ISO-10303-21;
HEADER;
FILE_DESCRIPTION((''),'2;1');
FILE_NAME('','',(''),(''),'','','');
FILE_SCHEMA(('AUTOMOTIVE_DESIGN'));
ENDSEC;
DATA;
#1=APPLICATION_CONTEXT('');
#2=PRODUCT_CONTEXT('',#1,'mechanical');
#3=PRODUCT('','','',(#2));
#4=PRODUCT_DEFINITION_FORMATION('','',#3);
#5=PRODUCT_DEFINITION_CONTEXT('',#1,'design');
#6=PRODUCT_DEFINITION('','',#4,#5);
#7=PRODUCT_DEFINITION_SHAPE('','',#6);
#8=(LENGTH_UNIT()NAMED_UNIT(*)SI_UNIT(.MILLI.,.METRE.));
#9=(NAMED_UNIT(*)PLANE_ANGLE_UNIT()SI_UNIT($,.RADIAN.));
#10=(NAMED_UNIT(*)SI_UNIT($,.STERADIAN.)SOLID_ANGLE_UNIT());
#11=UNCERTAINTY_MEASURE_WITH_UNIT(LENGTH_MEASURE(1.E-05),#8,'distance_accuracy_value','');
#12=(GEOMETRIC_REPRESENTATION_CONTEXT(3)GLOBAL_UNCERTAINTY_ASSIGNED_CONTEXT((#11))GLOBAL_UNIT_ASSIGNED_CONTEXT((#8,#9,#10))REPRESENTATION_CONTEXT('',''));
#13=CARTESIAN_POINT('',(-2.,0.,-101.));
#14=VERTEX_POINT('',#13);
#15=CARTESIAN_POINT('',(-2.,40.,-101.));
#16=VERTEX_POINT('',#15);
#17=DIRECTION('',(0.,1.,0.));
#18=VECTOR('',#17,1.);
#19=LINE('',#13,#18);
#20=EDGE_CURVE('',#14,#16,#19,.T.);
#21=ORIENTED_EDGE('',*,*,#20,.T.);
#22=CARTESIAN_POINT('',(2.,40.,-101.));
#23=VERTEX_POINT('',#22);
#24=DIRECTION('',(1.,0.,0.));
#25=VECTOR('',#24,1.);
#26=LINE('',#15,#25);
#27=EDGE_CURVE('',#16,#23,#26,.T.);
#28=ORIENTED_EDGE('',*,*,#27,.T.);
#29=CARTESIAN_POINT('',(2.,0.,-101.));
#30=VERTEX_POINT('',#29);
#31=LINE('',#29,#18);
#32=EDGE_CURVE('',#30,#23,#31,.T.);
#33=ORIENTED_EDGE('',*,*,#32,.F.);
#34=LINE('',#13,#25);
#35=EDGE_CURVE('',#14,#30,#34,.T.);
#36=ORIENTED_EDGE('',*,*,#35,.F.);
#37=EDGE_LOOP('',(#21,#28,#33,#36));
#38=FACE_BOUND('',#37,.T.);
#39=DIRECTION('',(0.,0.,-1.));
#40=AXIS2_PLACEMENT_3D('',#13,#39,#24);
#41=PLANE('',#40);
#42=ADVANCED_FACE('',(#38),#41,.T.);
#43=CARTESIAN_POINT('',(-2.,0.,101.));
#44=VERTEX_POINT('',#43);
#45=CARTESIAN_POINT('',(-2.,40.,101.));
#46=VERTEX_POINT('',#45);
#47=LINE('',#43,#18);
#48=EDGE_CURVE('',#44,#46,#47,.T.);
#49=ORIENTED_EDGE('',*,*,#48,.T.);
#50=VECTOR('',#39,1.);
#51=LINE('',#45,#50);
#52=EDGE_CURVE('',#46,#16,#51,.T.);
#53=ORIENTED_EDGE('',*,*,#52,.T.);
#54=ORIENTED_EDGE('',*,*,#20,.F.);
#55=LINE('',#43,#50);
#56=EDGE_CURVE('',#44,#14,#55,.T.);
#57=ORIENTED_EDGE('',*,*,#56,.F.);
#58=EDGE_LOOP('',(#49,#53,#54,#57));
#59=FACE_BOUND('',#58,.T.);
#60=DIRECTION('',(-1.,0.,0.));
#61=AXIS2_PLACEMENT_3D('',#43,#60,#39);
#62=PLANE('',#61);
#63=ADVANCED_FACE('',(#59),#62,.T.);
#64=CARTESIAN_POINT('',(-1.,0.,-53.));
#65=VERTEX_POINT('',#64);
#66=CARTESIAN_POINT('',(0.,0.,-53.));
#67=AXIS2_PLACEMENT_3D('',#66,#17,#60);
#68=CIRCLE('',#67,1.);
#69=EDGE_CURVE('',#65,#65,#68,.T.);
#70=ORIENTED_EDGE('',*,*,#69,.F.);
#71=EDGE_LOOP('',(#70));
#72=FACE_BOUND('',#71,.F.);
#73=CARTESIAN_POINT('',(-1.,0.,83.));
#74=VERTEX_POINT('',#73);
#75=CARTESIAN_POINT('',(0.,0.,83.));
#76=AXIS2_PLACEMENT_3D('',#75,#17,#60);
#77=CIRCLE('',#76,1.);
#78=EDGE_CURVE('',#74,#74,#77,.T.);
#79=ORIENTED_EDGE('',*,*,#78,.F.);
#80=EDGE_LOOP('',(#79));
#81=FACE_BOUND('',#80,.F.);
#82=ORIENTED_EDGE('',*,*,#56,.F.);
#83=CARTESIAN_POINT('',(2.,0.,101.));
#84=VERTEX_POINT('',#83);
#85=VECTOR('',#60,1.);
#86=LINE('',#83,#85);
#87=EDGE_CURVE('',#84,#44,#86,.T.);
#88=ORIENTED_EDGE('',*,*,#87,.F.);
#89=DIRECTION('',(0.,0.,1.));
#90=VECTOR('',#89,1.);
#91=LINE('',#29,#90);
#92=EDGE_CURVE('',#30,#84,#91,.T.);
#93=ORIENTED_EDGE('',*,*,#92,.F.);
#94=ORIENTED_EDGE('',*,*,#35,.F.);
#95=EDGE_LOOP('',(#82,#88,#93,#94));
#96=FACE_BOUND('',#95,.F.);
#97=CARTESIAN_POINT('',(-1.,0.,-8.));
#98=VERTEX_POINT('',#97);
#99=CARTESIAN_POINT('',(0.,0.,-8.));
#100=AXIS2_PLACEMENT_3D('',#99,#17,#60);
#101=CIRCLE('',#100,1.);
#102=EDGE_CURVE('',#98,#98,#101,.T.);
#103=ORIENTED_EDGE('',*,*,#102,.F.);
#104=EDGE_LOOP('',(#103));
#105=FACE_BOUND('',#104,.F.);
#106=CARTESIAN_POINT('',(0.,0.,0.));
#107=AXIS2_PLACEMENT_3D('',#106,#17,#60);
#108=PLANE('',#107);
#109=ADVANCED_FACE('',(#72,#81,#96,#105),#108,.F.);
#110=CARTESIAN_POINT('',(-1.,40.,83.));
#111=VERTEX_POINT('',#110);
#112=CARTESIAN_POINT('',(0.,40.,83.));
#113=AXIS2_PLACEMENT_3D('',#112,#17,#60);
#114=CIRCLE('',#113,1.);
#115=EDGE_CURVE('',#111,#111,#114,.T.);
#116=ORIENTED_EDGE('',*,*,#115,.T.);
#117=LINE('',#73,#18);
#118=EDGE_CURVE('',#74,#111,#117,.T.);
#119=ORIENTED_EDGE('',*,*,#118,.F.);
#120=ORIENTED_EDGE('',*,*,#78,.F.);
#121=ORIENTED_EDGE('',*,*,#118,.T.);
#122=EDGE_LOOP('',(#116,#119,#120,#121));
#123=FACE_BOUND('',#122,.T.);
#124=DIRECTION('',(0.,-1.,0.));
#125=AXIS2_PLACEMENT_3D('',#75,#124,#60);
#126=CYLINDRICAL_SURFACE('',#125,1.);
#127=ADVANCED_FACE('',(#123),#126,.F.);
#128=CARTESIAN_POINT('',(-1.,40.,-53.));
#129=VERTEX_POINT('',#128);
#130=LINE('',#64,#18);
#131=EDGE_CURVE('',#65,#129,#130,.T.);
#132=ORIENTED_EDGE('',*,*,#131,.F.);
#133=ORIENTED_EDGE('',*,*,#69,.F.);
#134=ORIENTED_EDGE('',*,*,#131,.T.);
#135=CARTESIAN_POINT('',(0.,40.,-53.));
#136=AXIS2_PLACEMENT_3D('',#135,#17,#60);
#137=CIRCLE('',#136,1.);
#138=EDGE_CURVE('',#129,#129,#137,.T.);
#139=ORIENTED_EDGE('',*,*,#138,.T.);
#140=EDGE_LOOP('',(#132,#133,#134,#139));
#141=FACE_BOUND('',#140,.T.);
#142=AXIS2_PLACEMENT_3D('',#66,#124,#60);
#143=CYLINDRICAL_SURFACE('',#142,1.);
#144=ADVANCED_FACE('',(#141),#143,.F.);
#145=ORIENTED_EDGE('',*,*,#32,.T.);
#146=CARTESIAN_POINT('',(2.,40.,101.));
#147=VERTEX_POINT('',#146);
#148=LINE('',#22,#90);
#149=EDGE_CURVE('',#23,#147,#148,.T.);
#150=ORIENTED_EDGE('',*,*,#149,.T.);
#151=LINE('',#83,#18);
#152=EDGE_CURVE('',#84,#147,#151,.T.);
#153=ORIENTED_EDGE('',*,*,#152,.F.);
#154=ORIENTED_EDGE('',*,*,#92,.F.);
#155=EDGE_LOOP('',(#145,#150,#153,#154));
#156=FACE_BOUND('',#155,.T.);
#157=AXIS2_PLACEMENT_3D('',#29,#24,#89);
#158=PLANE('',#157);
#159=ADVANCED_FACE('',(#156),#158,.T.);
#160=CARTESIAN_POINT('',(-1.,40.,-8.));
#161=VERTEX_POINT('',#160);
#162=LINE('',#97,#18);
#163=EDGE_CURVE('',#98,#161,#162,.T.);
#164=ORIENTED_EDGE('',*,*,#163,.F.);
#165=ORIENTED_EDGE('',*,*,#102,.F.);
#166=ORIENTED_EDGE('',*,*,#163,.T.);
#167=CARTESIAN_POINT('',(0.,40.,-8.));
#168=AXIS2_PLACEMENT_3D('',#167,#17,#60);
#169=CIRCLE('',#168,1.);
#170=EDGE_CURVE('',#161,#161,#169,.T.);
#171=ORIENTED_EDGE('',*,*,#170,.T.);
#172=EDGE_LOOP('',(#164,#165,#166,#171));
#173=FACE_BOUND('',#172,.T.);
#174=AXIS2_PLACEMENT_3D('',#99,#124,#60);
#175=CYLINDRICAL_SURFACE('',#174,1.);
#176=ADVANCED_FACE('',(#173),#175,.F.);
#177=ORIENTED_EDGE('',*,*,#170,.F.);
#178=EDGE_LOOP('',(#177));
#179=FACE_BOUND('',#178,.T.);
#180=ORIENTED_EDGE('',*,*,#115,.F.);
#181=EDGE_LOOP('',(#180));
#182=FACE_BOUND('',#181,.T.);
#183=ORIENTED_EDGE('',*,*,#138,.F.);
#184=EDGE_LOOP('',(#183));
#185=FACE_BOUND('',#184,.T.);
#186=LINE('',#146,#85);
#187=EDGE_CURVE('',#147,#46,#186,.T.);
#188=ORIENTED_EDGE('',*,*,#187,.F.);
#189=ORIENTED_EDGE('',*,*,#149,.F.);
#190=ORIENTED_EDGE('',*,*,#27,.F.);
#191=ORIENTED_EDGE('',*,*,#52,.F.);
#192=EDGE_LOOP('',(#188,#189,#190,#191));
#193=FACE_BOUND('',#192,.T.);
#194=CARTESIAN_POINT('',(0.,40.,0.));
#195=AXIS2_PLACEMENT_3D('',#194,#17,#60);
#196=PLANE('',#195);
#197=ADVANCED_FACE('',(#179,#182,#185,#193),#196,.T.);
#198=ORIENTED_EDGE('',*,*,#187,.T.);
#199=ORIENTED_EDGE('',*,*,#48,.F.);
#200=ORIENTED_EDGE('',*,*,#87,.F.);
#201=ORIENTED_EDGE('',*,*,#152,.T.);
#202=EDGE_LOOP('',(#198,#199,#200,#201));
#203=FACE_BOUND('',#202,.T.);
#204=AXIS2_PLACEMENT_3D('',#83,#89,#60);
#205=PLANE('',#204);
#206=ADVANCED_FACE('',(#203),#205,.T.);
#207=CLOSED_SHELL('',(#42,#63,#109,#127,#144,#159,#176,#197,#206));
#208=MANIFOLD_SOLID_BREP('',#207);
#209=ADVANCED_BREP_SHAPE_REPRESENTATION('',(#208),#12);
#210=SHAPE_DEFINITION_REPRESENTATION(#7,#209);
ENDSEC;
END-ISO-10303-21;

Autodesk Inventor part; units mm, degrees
ref_plane "YZ Plane" through (0, 0, 0) normal (1, 0, 0) x (0, 1, 0)
ref_plane "XZ Plane" through (0, 0, 0) normal (0, 1, 0) x (-1, 0, 0)
ref_plane "XY Plane" through (0, 0, 0) normal (0, 0, 1) x (1, 0, 0)
sketch "Sketch1" plane through (0, 0, 0) normal (0, 1, 0) x (-1, 0, 0)
  line L0 (2, -101) -> (-2, -101)
  line L1 (-2, -101) -> (-2, 101)
  line L2 (-2, 101) -> (2, 101)
  line L3 (2, 101) -> (2, -101)
  line L4 (2, -101) -> (-2, 101) construction
  line L5 (-2, -101) -> (2, 101) construction
  circle A0 centre (0, 83) radius 1
  circle A1 centre (0, -53) radius 1
  circle A2 centre (0, -8) radius 1
  point P0 (0, 0)
  dimension "d0" = 4
  dimension "d1" = 202
  dimension "d2" = 2
  dimension "d3" = 18
  dimension "d4" = 2
  dimension "d5" = 2
  dimension "d6" = 48
  dimension "d7" = 2
  dimension "d8" = 2
  dimension "d9" = 2
  dimension "d10" = 93
extrude "Extrusion1" add sketch "Sketch1" along normal blind 40
properties part number "DindingRobotKananKiri"
